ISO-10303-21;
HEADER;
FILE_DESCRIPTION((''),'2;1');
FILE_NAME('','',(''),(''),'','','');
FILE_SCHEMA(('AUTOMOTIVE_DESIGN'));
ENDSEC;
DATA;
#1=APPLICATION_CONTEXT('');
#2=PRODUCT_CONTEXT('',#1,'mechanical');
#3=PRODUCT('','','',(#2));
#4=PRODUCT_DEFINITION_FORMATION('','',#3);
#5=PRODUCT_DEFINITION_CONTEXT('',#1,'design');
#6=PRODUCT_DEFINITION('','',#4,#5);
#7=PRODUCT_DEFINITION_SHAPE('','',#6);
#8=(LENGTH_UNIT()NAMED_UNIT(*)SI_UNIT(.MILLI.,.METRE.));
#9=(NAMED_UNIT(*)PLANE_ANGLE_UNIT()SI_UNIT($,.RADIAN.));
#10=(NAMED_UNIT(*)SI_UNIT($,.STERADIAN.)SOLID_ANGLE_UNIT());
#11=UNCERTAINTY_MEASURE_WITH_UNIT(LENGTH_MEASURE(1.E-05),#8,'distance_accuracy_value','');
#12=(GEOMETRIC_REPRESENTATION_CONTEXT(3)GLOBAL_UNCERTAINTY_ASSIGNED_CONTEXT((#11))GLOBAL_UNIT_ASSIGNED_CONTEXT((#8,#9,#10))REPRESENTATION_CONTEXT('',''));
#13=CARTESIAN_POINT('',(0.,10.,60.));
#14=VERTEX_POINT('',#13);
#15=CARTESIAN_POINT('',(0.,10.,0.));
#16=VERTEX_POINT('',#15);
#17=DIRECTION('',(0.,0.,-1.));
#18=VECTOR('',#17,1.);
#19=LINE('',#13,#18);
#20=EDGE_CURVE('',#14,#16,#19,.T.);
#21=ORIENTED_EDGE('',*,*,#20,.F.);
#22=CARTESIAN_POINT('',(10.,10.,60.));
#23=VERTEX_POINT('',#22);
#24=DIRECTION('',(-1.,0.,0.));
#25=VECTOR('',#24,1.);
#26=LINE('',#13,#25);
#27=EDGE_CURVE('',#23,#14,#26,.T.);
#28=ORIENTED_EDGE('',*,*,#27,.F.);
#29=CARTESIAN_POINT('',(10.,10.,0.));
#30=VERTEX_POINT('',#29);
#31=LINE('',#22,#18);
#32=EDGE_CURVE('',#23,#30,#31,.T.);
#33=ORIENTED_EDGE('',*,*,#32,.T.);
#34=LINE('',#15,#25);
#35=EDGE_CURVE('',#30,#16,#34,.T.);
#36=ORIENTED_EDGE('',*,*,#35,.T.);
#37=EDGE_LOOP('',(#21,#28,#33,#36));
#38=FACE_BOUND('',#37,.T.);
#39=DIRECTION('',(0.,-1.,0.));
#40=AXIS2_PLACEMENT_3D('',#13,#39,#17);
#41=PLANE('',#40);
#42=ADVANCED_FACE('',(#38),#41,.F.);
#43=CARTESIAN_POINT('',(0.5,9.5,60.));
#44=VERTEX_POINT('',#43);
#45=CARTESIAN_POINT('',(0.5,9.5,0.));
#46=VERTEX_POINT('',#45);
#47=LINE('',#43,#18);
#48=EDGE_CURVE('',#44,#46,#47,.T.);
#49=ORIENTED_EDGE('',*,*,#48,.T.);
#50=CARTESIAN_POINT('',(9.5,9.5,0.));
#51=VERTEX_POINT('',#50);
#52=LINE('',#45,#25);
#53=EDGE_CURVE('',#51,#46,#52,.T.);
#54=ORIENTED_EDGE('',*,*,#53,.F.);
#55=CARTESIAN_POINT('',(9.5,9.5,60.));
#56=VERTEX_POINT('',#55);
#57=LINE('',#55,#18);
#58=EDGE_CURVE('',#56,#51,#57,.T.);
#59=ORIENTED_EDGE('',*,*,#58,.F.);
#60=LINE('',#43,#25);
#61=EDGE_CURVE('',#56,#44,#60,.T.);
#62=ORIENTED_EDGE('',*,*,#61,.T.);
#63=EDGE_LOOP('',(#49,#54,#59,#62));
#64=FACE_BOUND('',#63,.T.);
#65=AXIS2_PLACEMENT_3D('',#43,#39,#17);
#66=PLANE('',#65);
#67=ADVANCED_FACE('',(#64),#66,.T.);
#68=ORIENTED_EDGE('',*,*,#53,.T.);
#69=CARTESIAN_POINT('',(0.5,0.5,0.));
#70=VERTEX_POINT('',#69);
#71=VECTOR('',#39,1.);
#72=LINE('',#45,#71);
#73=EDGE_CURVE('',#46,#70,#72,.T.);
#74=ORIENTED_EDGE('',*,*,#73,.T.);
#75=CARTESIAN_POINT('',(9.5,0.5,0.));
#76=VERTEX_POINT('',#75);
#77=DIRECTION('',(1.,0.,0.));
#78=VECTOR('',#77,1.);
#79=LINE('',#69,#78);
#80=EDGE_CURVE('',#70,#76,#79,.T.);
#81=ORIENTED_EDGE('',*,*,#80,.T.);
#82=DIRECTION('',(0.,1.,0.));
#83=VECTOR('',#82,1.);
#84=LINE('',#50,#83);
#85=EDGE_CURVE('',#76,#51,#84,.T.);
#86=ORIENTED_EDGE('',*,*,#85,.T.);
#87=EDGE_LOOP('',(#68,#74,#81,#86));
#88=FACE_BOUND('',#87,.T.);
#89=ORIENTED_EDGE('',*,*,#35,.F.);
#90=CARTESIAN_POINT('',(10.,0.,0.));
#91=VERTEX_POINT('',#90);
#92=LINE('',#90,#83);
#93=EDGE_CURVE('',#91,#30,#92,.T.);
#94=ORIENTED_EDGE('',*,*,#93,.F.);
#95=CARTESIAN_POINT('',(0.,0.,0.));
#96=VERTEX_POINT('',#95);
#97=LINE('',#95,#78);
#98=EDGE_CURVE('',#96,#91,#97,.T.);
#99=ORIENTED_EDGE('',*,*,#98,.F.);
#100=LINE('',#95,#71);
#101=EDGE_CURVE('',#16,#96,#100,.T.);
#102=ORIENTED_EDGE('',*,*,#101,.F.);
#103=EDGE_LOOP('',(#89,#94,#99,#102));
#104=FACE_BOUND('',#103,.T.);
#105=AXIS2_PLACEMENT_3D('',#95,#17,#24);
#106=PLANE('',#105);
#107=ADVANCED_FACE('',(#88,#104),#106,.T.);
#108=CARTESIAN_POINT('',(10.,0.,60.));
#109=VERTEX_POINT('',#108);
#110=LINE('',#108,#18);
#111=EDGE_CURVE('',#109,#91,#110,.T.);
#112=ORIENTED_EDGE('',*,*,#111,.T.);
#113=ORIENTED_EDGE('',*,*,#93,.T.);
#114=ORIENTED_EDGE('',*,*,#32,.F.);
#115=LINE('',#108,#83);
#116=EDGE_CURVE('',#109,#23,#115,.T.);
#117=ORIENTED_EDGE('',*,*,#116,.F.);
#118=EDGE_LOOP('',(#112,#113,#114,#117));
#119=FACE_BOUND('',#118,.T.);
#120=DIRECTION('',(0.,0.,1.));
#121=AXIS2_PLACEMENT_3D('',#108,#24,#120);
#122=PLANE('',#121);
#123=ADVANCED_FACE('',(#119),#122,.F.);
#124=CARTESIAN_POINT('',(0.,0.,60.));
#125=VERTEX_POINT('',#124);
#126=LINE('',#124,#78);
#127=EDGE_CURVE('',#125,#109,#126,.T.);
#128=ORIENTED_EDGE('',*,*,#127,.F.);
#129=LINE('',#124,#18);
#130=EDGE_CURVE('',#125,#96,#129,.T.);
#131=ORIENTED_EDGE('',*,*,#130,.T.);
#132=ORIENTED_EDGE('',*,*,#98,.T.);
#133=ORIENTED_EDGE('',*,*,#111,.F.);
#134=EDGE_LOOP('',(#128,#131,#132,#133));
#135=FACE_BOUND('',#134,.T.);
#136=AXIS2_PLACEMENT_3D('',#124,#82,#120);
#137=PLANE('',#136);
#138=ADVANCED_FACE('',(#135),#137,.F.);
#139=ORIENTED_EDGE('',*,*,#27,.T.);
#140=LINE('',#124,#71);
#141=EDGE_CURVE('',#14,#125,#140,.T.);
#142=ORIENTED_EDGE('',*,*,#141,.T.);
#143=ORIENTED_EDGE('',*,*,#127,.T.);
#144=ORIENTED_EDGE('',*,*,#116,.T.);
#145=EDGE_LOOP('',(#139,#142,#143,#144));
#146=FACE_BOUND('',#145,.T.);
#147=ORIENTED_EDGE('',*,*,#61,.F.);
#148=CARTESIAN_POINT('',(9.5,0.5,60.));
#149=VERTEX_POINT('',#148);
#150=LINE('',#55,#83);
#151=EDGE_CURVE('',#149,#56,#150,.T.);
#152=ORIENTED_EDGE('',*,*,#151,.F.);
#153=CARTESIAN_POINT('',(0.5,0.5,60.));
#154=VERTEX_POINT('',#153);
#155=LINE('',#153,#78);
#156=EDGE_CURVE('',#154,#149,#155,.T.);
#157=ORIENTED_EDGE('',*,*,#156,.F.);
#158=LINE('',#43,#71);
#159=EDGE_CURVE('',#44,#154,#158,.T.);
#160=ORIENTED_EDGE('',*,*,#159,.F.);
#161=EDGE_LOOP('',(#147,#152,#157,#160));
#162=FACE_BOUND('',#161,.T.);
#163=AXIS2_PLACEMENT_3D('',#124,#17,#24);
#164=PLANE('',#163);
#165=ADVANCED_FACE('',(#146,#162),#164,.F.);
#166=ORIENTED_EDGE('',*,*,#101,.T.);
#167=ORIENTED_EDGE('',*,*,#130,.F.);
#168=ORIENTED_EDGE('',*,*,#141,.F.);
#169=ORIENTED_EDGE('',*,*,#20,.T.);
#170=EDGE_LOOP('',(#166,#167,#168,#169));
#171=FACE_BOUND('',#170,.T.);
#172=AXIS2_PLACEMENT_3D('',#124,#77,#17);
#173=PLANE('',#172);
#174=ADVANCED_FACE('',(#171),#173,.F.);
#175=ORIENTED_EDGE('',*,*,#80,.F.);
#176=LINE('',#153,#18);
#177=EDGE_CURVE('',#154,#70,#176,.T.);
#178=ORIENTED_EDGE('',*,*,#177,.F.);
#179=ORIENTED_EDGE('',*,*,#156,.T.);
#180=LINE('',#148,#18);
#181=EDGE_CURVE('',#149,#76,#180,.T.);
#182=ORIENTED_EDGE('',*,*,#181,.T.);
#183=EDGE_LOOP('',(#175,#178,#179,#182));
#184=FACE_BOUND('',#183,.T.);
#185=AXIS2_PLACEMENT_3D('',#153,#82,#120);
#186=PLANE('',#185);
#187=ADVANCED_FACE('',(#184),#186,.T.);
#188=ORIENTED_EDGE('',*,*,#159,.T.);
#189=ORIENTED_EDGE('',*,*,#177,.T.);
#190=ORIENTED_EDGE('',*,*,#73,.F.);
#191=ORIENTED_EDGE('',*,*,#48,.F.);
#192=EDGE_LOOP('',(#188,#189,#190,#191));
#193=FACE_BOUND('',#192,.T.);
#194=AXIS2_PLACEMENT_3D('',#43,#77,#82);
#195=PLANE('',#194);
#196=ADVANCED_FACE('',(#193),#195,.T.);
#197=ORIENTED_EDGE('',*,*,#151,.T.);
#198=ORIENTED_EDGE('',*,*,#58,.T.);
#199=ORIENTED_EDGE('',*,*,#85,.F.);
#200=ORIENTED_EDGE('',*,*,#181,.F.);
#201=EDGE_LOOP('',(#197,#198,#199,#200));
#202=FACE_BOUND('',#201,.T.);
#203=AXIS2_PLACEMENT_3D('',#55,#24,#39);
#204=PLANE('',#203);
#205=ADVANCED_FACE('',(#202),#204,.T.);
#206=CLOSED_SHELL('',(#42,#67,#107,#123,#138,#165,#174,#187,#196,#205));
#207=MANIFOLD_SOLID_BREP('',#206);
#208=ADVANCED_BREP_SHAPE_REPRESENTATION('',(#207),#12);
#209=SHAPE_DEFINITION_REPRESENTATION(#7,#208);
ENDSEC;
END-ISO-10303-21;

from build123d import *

# Parameters (mm, degrees)
SKETCH_1_W      = 10
SKETCH_1_H      = 10
SKETCH_1_W_2    = 9
SKETCH_1_H_2    = 9
EXTRUDE_1_DEPTH = 60


with BuildPart() as part:
    # 草图1 → 凸台-拉伸1 (new body)
    with BuildSketch(Plane.XY):
        with Locations((5, 5)):
            Rectangle(SKETCH_1_W, SKETCH_1_H)
        with Locations((5, 5)):
            Rectangle(SKETCH_1_W_2, SKETCH_1_H_2, mode=Mode.SUBTRACT)
    extrude(amount=EXTRUDE_1_DEPTH)


solid = part.part
